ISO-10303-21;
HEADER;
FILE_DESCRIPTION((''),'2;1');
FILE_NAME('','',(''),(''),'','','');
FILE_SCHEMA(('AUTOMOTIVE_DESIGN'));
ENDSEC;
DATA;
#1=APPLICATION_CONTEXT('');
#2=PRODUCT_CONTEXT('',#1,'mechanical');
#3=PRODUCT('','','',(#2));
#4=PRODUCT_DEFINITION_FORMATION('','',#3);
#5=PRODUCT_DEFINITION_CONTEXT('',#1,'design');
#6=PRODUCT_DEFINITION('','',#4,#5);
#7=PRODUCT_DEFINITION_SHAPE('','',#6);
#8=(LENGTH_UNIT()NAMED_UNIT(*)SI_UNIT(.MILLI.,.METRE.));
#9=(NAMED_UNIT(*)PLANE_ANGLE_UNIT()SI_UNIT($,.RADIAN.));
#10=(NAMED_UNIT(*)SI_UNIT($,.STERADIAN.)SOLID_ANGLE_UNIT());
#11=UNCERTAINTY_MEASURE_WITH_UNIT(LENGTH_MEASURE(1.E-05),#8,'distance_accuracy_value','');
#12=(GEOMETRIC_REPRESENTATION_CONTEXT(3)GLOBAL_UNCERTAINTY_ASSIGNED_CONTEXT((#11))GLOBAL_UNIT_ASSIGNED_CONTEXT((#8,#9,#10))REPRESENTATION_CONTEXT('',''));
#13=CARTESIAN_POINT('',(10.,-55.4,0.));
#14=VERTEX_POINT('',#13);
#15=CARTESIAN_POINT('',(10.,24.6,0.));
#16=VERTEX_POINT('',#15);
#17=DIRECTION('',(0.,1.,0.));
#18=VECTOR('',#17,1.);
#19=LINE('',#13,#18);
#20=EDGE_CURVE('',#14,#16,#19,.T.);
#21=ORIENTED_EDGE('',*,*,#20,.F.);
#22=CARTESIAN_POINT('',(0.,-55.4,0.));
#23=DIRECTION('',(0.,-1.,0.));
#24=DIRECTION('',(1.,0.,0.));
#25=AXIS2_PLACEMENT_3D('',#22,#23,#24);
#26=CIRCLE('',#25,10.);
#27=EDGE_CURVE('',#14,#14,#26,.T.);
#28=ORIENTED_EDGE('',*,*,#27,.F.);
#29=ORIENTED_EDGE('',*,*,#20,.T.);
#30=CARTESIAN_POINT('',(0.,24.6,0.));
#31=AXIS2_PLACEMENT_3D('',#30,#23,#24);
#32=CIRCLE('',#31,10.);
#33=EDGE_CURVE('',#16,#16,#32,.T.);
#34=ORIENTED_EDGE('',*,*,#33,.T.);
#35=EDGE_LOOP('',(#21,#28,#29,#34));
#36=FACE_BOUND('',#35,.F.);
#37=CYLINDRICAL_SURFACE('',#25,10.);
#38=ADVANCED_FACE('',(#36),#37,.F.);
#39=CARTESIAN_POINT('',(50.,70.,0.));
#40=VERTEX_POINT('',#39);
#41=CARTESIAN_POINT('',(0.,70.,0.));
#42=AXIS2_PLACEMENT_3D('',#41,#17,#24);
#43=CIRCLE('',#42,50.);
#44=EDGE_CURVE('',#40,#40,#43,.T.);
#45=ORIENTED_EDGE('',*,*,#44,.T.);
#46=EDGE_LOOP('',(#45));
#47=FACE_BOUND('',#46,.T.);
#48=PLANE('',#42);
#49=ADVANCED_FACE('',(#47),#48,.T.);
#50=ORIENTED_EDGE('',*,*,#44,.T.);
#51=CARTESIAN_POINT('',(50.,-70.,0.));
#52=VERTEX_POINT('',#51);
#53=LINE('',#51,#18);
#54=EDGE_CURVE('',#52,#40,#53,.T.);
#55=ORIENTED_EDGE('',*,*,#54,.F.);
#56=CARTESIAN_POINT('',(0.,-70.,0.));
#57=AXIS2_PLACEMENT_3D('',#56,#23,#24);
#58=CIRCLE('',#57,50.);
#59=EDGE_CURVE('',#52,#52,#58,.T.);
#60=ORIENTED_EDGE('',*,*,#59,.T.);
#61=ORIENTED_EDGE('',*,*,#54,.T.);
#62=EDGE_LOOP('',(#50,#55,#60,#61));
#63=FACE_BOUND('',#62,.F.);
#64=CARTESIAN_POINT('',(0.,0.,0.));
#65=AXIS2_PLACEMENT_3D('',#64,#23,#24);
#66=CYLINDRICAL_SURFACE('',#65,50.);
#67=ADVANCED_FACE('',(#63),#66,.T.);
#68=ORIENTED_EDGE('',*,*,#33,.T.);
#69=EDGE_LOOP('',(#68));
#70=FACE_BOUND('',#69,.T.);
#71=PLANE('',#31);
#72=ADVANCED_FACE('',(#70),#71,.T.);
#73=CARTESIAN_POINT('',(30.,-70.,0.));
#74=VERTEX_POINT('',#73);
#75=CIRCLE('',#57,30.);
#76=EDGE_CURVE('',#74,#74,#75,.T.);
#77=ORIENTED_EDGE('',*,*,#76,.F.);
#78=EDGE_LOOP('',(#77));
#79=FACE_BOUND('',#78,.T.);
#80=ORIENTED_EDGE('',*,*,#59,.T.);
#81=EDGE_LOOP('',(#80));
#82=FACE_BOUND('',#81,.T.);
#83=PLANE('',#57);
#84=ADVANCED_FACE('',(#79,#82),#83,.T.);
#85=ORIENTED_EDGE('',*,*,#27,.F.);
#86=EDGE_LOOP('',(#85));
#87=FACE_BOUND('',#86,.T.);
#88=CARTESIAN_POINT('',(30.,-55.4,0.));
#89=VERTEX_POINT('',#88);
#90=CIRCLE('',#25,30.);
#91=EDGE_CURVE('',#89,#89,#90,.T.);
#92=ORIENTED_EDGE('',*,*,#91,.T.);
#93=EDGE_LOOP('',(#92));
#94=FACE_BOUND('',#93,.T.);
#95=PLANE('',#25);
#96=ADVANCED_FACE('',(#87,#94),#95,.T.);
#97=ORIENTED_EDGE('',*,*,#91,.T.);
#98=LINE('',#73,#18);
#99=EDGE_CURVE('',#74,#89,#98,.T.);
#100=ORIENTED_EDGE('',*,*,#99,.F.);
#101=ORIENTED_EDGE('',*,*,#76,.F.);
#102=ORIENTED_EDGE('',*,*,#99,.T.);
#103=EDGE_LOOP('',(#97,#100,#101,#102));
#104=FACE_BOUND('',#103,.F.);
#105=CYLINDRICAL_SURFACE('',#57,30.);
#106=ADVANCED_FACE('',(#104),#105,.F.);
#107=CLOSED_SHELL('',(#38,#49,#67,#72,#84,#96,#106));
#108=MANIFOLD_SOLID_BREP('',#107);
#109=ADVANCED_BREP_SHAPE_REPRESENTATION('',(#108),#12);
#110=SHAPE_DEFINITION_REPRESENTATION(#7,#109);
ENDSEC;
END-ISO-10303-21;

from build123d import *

# Parameters (mm, degrees)
F0_R      = 50
F1_DEPTH  = 70
F1_FACE_R = 50
F2_DEPTH  = 70
F3_R      = 30
F4_DEPTH  = 40
F5_R      = 30
F6_DEPTH  = 25.4
F7_R      = 10
F8_DEPTH  = 80


with BuildPart() as f1:
    # F0 (on Front) → F1 (new body)
    with BuildSketch(Plane.XZ):
        Circle(F0_R)
    extrude(amount=F1_DEPTH)

    # F1_face (on face) → F2 (join)
    with BuildSketch(Plane(origin=(0, 0, 0), x_dir=(1, 0, 0), z_dir=(0, 1, 0))):
        Circle(F1_FACE_R)
    extrude(amount=F2_DEPTH)

    # F3 (on face) → F4 (cut)
    with BuildSketch(Plane.XZ.offset(70)):
        Circle(F3_R)
    extrude(amount=-F4_DEPTH, mode=Mode.SUBTRACT)

    # F5 (on face) → F6 (join)
    with BuildSketch(Plane.XZ.offset(30)):
        Circle(F5_R)
    extrude(amount=F6_DEPTH)

    # F7 (on face) → F8 (cut)
    with BuildSketch(Plane.XZ.offset(55.4)):
        Circle(F7_R)
    extrude(amount=-F8_DEPTH, mode=Mode.SUBTRACT)


solid = f1.part
